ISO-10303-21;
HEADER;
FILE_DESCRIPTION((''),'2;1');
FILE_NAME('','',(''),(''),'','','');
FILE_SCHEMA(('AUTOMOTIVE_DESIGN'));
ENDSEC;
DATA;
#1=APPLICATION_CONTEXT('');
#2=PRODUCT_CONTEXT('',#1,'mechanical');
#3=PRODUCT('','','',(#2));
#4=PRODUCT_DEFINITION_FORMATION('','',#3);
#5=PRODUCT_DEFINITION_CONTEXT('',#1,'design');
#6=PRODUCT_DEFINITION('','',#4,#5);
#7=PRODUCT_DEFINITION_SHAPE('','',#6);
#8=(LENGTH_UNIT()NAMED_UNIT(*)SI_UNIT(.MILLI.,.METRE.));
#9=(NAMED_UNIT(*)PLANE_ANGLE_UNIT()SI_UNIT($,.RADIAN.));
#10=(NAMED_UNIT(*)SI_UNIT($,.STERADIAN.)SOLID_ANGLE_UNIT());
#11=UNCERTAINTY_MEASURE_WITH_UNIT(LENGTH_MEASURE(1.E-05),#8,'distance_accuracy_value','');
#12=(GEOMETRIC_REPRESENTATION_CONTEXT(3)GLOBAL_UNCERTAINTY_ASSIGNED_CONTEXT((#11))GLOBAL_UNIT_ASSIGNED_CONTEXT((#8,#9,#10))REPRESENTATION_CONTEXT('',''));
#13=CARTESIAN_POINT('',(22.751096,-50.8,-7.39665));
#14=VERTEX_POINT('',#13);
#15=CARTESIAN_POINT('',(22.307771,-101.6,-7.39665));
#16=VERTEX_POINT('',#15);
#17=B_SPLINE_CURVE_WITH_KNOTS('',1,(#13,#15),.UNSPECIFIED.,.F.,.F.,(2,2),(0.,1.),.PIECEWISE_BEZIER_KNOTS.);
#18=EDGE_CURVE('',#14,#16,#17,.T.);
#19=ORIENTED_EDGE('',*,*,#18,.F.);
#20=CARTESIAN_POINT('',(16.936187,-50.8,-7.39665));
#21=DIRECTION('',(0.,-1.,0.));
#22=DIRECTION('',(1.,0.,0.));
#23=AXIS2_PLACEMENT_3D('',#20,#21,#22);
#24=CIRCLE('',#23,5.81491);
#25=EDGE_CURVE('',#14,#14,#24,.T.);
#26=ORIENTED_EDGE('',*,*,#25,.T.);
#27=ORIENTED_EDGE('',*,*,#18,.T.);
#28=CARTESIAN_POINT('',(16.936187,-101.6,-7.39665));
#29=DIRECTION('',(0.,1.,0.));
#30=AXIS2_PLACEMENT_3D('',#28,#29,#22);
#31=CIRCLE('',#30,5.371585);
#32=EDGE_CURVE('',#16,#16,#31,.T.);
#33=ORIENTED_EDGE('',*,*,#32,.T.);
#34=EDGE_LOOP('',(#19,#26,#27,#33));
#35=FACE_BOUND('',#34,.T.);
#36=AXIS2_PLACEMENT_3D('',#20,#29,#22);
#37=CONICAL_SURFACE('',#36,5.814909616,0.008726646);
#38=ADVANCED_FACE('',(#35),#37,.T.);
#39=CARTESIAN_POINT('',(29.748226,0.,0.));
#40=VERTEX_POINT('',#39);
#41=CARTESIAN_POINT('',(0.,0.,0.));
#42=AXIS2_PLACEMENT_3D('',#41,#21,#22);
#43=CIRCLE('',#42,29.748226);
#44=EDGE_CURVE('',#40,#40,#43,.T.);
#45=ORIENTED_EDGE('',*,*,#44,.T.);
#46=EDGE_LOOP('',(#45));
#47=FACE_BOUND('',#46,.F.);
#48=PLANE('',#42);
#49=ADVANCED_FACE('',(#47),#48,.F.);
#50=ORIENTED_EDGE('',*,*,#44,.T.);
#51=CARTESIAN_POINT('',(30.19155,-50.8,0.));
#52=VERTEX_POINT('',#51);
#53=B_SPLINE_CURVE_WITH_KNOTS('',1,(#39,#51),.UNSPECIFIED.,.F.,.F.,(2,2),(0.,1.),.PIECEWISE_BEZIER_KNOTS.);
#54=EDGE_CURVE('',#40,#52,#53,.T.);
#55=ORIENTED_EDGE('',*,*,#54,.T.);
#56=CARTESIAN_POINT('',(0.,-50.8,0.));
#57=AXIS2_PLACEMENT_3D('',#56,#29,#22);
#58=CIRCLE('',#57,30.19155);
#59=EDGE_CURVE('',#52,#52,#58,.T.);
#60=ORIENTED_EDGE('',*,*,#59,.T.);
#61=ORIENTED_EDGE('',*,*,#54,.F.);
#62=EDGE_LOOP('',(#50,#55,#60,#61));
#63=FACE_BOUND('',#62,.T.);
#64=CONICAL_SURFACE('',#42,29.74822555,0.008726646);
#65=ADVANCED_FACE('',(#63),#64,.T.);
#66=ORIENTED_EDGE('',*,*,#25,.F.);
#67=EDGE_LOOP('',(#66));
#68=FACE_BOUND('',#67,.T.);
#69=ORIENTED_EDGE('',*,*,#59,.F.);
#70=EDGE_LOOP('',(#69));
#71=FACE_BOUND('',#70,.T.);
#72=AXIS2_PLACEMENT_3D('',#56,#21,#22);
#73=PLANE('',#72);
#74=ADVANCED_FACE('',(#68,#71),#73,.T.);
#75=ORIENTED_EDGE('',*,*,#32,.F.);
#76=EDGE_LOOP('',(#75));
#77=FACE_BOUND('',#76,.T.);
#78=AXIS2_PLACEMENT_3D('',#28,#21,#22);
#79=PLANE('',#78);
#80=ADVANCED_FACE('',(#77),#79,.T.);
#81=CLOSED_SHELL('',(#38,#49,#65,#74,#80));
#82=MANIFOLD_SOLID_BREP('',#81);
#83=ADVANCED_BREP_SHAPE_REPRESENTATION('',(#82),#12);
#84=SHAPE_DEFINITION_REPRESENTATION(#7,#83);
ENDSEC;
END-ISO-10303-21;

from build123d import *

# Parameters (mm, degrees)
F0_R     = 29.7482255496
F1_DEPTH = 50.8
F1_TAPER = -0.5
F2_R     = 5.814909616
F3_DEPTH = 50.8
F3_TAPER = 0.5


with BuildPart() as f1:
    # F0 (on Front) → F1 (new body)
    with BuildSketch(Plane.XZ):
        Circle(F0_R)
    extrude(amount=F1_DEPTH, taper=F1_TAPER)

    # F2 (on face) → F3 (join)
    with BuildSketch(Plane.XZ.offset(50.8)):
        with Locations((16.9361867011, -7.3966495693)):
            Circle(F2_R)
    extrude(amount=F3_DEPTH, taper=F3_TAPER)


solid = f1.part
